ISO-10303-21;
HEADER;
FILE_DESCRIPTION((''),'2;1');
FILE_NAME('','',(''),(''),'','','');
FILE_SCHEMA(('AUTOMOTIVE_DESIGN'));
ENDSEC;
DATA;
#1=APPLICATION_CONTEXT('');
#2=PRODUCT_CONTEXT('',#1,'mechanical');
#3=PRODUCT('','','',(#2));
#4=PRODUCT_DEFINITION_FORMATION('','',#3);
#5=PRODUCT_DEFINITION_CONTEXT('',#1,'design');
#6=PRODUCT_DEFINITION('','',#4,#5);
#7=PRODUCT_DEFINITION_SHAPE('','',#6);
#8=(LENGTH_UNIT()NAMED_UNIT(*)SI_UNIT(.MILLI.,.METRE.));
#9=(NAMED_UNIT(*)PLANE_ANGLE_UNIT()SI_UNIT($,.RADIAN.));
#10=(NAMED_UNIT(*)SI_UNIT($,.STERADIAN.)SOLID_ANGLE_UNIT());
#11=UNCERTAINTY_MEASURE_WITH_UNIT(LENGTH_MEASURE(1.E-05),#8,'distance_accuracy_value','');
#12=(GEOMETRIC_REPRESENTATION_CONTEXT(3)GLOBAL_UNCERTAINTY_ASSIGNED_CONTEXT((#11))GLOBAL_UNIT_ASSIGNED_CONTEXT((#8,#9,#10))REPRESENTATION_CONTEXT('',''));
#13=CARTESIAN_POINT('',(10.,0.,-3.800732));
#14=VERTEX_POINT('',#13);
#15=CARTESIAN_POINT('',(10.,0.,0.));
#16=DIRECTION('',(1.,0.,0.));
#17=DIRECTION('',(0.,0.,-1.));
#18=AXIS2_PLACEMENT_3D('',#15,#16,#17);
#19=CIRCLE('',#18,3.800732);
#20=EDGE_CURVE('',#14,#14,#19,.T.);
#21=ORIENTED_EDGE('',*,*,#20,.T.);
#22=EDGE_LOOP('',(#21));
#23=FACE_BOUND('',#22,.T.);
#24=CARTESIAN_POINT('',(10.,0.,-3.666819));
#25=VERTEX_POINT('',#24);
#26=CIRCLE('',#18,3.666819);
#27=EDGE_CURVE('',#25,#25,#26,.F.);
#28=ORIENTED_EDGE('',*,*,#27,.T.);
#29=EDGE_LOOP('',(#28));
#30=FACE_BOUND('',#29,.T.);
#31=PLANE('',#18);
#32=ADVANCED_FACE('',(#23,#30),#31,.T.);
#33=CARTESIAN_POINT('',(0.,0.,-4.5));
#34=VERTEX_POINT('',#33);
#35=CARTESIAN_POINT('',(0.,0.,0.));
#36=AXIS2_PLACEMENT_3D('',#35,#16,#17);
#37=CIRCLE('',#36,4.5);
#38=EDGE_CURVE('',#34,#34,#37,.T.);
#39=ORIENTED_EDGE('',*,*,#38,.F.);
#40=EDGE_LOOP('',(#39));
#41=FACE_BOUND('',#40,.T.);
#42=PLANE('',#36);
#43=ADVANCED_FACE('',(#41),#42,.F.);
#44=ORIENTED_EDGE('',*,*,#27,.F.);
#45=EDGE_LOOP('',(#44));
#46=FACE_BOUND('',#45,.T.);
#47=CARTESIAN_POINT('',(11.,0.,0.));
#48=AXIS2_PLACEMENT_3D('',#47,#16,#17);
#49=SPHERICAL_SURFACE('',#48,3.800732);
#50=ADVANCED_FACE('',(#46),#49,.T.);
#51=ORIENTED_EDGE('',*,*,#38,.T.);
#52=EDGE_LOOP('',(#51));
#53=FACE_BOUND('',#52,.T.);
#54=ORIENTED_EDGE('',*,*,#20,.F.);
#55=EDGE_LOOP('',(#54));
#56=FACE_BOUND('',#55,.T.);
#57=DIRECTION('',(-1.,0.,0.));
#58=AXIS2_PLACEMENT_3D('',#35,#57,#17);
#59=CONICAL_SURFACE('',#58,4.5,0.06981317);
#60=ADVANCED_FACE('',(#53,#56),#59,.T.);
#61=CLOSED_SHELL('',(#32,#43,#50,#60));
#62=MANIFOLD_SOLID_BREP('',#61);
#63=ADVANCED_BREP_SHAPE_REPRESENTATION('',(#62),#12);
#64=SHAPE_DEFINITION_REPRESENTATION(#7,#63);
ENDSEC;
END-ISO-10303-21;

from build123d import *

# Parameters (mm, degrees)
SKETCH1_R           = 4.5
BOSS_EXTRUDE1_DEPTH = 10
BOSS_EXTRUDE1_TAPER = 4


with BuildPart() as part:
    # Sketch1 → Boss-Extrude1 (new body)
    with BuildSketch(Plane(origin=(0, 0, 0), x_dir=(0, 0, -1), z_dir=(1, 0, 0))):
        Circle(SKETCH1_R)
    extrude(amount=BOSS_EXTRUDE1_DEPTH, taper=BOSS_EXTRUDE1_TAPER)

    # Sketch2 → Revolve1 (revolve)
    with BuildSketch(Plane(origin=(11, 0, 0), x_dir=(0, 0, -1), z_dir=(1, 0, 0))):
        with BuildLine():
            Line((0, 3.800731881), (0, -3.800731881))
            ThreePointArc((0, -3.800731881), (3.800731881, 0), (0, 3.800731881))
        make_face()
    revolve(axis=Axis((11, 3.800731881, 0), (0, -1, 0)))


solid = part.part
